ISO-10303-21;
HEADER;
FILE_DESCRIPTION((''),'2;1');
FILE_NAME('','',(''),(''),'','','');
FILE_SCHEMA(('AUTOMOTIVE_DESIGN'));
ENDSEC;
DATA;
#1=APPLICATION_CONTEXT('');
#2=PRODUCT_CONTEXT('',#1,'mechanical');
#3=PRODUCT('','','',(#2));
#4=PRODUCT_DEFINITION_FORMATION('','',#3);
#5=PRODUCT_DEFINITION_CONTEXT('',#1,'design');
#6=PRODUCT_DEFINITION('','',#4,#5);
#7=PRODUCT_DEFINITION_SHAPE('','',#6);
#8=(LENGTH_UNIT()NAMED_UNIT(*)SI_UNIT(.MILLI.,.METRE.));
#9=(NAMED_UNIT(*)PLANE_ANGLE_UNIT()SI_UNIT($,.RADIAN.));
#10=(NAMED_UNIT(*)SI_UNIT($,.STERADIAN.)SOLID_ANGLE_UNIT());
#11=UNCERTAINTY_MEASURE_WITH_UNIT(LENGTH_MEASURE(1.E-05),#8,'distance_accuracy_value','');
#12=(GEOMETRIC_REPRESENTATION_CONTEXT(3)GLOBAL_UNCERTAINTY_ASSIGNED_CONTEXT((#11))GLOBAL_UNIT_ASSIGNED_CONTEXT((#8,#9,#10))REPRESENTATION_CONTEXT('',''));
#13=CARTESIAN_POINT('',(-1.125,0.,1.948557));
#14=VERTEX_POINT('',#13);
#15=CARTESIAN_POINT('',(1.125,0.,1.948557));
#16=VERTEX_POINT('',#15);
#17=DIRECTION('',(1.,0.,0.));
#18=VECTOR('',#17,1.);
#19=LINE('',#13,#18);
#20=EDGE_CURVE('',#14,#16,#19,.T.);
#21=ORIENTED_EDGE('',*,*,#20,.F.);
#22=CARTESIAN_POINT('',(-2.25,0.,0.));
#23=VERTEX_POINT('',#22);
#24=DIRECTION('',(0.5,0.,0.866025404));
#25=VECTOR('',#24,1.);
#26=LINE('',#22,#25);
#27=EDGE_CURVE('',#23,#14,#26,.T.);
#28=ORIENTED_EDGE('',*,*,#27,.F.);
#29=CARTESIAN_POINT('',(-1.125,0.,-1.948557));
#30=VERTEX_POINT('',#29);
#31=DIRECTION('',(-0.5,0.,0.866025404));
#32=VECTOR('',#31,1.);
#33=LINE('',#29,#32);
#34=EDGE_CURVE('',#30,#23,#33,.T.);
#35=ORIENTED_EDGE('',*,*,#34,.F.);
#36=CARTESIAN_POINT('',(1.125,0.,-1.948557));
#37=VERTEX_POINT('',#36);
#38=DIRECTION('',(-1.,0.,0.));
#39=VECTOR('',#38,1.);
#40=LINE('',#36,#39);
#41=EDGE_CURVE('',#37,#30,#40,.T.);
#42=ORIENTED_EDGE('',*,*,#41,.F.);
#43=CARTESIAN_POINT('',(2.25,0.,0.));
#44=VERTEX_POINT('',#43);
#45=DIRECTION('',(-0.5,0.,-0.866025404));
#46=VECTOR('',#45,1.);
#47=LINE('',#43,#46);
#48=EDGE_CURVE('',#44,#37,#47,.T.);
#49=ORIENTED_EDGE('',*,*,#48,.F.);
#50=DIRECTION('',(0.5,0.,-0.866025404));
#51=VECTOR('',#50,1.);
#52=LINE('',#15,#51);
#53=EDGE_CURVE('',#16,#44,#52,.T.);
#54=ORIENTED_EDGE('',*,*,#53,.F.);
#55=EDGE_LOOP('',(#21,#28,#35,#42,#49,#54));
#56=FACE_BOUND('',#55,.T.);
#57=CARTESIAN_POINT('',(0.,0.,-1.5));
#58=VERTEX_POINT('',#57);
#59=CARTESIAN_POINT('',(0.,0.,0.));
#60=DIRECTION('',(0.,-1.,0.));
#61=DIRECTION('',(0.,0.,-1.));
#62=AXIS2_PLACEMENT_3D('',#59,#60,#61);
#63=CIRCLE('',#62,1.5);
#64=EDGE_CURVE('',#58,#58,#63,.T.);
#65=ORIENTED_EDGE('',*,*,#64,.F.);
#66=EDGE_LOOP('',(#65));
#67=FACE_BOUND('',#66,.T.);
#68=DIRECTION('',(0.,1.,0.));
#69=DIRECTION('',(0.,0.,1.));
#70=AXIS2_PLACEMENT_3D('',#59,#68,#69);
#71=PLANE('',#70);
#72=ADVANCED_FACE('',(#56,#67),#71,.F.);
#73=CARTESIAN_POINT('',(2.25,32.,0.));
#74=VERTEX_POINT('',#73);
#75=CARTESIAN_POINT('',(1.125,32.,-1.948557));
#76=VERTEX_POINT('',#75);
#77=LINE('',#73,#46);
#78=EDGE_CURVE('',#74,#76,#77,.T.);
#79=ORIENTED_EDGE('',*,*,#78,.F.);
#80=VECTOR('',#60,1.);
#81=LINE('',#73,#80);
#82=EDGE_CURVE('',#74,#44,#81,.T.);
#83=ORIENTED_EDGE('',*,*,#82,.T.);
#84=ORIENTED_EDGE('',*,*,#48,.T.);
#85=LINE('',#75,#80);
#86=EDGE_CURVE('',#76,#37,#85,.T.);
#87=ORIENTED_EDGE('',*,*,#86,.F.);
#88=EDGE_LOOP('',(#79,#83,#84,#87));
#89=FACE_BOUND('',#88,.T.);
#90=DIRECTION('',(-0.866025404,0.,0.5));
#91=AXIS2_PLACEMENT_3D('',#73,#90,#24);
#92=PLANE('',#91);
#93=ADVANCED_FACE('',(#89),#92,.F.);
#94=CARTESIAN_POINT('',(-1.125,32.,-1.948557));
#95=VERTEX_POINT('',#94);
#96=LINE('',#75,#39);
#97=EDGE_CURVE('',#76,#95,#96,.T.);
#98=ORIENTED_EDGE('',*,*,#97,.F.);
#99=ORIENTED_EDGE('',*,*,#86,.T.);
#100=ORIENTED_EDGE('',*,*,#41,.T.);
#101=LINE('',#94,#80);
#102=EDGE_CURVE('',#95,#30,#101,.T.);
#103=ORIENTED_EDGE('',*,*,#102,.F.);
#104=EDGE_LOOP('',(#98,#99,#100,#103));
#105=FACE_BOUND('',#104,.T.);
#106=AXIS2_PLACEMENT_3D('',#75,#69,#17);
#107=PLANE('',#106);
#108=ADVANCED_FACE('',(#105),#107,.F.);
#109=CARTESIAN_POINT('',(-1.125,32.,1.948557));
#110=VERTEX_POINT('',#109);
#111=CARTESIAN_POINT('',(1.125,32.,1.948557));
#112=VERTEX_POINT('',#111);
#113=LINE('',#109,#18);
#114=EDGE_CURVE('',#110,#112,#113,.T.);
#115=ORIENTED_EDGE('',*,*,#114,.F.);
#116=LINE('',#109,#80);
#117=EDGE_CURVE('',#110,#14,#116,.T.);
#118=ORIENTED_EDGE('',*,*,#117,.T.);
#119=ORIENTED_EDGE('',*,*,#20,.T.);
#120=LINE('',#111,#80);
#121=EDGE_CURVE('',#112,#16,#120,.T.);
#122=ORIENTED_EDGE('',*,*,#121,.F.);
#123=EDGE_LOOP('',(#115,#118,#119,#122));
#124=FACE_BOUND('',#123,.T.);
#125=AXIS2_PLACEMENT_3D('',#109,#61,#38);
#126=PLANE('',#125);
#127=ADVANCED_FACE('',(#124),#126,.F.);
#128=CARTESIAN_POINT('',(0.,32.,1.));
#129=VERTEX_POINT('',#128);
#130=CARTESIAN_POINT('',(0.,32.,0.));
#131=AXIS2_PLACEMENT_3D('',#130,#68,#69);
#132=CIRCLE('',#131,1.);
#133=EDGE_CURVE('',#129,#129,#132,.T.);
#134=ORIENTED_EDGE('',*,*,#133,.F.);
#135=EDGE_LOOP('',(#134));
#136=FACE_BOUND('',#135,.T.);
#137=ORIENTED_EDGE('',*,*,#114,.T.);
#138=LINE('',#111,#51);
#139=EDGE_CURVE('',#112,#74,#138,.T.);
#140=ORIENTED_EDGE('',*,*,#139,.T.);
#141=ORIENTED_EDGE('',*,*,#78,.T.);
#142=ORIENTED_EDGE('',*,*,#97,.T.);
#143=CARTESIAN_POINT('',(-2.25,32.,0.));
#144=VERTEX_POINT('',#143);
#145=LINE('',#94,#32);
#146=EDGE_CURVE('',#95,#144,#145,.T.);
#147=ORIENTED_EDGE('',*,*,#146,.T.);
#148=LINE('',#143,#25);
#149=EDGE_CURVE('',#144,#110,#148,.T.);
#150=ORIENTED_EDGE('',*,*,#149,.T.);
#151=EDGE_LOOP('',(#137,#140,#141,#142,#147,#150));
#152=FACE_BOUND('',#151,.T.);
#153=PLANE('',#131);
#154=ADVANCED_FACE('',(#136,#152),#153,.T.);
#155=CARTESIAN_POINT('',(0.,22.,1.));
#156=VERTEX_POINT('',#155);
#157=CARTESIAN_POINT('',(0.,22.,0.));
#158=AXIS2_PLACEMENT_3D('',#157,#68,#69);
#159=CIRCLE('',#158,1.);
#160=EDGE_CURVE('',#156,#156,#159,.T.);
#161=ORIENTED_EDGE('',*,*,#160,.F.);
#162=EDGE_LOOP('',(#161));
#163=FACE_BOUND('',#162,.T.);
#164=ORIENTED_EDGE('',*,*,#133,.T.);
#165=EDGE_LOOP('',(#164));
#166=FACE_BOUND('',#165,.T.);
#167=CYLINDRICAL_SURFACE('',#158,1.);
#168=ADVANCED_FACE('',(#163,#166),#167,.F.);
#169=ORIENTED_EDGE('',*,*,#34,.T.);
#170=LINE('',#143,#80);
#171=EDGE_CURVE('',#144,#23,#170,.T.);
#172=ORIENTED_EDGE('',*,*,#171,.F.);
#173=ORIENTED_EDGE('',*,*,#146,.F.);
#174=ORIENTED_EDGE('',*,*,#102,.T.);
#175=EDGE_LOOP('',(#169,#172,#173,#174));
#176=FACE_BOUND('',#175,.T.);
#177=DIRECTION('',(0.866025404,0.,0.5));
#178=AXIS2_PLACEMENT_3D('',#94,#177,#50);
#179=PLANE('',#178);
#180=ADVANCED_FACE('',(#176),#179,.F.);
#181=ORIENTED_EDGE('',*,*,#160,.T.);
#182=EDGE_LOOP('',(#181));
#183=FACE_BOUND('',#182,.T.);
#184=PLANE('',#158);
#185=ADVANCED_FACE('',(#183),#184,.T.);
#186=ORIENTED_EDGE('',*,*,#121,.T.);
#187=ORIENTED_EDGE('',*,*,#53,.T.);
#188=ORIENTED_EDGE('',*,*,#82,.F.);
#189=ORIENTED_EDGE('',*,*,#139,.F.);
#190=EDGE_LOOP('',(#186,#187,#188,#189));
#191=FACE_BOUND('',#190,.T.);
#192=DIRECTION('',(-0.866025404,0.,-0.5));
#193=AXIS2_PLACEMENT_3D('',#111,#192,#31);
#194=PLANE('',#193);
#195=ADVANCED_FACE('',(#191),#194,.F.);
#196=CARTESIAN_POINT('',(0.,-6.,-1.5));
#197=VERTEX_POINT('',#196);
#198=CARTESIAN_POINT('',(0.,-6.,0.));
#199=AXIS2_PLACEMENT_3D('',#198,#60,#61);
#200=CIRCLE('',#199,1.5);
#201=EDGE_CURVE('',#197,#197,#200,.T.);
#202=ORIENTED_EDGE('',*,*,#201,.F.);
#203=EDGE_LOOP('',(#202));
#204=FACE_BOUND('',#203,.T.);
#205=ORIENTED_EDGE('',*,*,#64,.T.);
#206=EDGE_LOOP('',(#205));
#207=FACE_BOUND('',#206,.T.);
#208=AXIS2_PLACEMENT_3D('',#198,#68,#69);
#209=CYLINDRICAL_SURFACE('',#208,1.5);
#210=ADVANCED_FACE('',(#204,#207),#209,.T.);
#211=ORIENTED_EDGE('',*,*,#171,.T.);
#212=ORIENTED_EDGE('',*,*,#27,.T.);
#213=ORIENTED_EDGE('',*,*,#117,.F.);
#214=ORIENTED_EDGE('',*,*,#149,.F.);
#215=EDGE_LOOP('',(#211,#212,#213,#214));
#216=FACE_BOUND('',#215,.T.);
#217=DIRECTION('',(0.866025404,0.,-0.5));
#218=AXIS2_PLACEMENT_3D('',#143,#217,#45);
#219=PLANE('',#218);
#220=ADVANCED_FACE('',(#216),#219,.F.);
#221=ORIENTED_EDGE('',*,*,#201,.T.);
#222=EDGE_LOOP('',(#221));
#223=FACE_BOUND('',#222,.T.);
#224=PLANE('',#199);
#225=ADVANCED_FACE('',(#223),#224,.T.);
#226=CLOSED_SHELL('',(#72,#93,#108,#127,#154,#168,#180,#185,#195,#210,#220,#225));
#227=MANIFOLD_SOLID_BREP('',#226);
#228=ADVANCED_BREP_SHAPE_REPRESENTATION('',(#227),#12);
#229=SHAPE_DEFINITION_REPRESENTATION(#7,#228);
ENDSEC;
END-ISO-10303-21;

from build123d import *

# Parameters (mm, degrees)
EXTRUDE_1_DEPTH     = 32
SKETCH_2_R          = 1.5
EXTRUDE_2_DEPTH     = 6
SKETCH_3_R          = 1
CUT_EXTRUDE_1_DEPTH = 10


with BuildPart() as part:
    # 草图1 → 凸台-拉伸1 (new body)
    with BuildSketch(Plane(origin=(0, 0, 0), x_dir=(1, 0, 0), z_dir=(0, 1, 0))):
        Polygon((2.25, 0), (1.125, 1.948557159), (-1.125, 1.948557159), (-2.25, 0), (-1.125, -1.948557159), (1.125, -1.948557159), align=None)
    extrude(amount=EXTRUDE_1_DEPTH)

    # 草图2 → 凸台-拉伸2 (add)
    with BuildSketch(Plane.XZ):
        with Locations(Location((0, 0, 0), (0, 0, 270))):
            Circle(SKETCH_2_R)
    extrude(amount=EXTRUDE_2_DEPTH)

    # 草图3 → 切除-拉伸1 (cut)
    with BuildSketch(Plane(origin=(0, 32, 0), x_dir=(1, 0, 0), z_dir=(0, 1, 0))):
        with Locations(Location((0, 0, 0), (0, 0, 270))):
            Circle(SKETCH_3_R)
    extrude(amount=-CUT_EXTRUDE_1_DEPTH, mode=Mode.SUBTRACT)


solid = part.part
